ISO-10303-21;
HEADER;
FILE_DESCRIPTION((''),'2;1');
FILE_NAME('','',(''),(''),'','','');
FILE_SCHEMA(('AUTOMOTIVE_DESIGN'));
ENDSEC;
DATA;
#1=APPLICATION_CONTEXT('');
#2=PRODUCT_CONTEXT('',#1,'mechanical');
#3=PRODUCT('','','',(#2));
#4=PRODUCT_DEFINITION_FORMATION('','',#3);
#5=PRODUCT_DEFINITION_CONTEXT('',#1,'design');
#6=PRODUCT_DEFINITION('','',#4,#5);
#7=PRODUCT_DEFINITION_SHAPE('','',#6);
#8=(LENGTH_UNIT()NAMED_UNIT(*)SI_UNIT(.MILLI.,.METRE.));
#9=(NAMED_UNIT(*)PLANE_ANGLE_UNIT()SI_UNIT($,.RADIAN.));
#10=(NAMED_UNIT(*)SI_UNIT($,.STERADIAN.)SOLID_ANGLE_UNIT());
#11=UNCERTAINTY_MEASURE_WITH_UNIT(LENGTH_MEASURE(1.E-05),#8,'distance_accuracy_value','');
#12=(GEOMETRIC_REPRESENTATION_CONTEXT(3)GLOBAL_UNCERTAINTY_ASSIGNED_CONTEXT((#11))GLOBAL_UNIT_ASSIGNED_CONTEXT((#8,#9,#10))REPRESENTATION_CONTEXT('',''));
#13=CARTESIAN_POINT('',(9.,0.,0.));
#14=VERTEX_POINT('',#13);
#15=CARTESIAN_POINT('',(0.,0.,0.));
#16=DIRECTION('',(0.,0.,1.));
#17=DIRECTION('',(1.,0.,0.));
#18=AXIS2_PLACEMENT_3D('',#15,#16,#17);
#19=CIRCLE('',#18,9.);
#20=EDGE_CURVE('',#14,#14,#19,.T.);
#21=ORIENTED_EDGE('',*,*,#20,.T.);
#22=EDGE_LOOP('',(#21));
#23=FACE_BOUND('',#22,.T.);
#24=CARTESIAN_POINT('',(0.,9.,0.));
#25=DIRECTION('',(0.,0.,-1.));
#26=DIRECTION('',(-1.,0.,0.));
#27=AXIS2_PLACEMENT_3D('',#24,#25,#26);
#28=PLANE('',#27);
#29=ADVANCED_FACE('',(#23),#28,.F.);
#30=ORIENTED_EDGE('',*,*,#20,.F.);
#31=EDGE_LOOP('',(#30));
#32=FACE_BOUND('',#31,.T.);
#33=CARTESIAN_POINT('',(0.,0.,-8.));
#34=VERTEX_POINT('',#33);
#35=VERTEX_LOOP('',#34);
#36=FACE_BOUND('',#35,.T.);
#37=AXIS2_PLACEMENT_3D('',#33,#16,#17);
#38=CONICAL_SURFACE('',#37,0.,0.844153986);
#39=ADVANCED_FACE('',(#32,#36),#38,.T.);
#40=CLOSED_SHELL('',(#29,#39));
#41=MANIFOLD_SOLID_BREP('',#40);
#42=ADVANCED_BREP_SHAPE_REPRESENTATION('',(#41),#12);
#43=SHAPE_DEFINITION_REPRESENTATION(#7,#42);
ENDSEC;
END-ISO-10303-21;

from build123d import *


with BuildPart() as part:
    # Sketch1 → Revolve1 (revolve)
    with BuildSketch(Plane(origin=(0, 0, 0), x_dir=(0, 0, -1), z_dir=(1, 0, 0))):
        Polygon((0, 0), (8, 0), (0, 9), align=None)
    revolve(axis=Axis((0, 0, 0), (0, 0, -1)))


solid = part.part
